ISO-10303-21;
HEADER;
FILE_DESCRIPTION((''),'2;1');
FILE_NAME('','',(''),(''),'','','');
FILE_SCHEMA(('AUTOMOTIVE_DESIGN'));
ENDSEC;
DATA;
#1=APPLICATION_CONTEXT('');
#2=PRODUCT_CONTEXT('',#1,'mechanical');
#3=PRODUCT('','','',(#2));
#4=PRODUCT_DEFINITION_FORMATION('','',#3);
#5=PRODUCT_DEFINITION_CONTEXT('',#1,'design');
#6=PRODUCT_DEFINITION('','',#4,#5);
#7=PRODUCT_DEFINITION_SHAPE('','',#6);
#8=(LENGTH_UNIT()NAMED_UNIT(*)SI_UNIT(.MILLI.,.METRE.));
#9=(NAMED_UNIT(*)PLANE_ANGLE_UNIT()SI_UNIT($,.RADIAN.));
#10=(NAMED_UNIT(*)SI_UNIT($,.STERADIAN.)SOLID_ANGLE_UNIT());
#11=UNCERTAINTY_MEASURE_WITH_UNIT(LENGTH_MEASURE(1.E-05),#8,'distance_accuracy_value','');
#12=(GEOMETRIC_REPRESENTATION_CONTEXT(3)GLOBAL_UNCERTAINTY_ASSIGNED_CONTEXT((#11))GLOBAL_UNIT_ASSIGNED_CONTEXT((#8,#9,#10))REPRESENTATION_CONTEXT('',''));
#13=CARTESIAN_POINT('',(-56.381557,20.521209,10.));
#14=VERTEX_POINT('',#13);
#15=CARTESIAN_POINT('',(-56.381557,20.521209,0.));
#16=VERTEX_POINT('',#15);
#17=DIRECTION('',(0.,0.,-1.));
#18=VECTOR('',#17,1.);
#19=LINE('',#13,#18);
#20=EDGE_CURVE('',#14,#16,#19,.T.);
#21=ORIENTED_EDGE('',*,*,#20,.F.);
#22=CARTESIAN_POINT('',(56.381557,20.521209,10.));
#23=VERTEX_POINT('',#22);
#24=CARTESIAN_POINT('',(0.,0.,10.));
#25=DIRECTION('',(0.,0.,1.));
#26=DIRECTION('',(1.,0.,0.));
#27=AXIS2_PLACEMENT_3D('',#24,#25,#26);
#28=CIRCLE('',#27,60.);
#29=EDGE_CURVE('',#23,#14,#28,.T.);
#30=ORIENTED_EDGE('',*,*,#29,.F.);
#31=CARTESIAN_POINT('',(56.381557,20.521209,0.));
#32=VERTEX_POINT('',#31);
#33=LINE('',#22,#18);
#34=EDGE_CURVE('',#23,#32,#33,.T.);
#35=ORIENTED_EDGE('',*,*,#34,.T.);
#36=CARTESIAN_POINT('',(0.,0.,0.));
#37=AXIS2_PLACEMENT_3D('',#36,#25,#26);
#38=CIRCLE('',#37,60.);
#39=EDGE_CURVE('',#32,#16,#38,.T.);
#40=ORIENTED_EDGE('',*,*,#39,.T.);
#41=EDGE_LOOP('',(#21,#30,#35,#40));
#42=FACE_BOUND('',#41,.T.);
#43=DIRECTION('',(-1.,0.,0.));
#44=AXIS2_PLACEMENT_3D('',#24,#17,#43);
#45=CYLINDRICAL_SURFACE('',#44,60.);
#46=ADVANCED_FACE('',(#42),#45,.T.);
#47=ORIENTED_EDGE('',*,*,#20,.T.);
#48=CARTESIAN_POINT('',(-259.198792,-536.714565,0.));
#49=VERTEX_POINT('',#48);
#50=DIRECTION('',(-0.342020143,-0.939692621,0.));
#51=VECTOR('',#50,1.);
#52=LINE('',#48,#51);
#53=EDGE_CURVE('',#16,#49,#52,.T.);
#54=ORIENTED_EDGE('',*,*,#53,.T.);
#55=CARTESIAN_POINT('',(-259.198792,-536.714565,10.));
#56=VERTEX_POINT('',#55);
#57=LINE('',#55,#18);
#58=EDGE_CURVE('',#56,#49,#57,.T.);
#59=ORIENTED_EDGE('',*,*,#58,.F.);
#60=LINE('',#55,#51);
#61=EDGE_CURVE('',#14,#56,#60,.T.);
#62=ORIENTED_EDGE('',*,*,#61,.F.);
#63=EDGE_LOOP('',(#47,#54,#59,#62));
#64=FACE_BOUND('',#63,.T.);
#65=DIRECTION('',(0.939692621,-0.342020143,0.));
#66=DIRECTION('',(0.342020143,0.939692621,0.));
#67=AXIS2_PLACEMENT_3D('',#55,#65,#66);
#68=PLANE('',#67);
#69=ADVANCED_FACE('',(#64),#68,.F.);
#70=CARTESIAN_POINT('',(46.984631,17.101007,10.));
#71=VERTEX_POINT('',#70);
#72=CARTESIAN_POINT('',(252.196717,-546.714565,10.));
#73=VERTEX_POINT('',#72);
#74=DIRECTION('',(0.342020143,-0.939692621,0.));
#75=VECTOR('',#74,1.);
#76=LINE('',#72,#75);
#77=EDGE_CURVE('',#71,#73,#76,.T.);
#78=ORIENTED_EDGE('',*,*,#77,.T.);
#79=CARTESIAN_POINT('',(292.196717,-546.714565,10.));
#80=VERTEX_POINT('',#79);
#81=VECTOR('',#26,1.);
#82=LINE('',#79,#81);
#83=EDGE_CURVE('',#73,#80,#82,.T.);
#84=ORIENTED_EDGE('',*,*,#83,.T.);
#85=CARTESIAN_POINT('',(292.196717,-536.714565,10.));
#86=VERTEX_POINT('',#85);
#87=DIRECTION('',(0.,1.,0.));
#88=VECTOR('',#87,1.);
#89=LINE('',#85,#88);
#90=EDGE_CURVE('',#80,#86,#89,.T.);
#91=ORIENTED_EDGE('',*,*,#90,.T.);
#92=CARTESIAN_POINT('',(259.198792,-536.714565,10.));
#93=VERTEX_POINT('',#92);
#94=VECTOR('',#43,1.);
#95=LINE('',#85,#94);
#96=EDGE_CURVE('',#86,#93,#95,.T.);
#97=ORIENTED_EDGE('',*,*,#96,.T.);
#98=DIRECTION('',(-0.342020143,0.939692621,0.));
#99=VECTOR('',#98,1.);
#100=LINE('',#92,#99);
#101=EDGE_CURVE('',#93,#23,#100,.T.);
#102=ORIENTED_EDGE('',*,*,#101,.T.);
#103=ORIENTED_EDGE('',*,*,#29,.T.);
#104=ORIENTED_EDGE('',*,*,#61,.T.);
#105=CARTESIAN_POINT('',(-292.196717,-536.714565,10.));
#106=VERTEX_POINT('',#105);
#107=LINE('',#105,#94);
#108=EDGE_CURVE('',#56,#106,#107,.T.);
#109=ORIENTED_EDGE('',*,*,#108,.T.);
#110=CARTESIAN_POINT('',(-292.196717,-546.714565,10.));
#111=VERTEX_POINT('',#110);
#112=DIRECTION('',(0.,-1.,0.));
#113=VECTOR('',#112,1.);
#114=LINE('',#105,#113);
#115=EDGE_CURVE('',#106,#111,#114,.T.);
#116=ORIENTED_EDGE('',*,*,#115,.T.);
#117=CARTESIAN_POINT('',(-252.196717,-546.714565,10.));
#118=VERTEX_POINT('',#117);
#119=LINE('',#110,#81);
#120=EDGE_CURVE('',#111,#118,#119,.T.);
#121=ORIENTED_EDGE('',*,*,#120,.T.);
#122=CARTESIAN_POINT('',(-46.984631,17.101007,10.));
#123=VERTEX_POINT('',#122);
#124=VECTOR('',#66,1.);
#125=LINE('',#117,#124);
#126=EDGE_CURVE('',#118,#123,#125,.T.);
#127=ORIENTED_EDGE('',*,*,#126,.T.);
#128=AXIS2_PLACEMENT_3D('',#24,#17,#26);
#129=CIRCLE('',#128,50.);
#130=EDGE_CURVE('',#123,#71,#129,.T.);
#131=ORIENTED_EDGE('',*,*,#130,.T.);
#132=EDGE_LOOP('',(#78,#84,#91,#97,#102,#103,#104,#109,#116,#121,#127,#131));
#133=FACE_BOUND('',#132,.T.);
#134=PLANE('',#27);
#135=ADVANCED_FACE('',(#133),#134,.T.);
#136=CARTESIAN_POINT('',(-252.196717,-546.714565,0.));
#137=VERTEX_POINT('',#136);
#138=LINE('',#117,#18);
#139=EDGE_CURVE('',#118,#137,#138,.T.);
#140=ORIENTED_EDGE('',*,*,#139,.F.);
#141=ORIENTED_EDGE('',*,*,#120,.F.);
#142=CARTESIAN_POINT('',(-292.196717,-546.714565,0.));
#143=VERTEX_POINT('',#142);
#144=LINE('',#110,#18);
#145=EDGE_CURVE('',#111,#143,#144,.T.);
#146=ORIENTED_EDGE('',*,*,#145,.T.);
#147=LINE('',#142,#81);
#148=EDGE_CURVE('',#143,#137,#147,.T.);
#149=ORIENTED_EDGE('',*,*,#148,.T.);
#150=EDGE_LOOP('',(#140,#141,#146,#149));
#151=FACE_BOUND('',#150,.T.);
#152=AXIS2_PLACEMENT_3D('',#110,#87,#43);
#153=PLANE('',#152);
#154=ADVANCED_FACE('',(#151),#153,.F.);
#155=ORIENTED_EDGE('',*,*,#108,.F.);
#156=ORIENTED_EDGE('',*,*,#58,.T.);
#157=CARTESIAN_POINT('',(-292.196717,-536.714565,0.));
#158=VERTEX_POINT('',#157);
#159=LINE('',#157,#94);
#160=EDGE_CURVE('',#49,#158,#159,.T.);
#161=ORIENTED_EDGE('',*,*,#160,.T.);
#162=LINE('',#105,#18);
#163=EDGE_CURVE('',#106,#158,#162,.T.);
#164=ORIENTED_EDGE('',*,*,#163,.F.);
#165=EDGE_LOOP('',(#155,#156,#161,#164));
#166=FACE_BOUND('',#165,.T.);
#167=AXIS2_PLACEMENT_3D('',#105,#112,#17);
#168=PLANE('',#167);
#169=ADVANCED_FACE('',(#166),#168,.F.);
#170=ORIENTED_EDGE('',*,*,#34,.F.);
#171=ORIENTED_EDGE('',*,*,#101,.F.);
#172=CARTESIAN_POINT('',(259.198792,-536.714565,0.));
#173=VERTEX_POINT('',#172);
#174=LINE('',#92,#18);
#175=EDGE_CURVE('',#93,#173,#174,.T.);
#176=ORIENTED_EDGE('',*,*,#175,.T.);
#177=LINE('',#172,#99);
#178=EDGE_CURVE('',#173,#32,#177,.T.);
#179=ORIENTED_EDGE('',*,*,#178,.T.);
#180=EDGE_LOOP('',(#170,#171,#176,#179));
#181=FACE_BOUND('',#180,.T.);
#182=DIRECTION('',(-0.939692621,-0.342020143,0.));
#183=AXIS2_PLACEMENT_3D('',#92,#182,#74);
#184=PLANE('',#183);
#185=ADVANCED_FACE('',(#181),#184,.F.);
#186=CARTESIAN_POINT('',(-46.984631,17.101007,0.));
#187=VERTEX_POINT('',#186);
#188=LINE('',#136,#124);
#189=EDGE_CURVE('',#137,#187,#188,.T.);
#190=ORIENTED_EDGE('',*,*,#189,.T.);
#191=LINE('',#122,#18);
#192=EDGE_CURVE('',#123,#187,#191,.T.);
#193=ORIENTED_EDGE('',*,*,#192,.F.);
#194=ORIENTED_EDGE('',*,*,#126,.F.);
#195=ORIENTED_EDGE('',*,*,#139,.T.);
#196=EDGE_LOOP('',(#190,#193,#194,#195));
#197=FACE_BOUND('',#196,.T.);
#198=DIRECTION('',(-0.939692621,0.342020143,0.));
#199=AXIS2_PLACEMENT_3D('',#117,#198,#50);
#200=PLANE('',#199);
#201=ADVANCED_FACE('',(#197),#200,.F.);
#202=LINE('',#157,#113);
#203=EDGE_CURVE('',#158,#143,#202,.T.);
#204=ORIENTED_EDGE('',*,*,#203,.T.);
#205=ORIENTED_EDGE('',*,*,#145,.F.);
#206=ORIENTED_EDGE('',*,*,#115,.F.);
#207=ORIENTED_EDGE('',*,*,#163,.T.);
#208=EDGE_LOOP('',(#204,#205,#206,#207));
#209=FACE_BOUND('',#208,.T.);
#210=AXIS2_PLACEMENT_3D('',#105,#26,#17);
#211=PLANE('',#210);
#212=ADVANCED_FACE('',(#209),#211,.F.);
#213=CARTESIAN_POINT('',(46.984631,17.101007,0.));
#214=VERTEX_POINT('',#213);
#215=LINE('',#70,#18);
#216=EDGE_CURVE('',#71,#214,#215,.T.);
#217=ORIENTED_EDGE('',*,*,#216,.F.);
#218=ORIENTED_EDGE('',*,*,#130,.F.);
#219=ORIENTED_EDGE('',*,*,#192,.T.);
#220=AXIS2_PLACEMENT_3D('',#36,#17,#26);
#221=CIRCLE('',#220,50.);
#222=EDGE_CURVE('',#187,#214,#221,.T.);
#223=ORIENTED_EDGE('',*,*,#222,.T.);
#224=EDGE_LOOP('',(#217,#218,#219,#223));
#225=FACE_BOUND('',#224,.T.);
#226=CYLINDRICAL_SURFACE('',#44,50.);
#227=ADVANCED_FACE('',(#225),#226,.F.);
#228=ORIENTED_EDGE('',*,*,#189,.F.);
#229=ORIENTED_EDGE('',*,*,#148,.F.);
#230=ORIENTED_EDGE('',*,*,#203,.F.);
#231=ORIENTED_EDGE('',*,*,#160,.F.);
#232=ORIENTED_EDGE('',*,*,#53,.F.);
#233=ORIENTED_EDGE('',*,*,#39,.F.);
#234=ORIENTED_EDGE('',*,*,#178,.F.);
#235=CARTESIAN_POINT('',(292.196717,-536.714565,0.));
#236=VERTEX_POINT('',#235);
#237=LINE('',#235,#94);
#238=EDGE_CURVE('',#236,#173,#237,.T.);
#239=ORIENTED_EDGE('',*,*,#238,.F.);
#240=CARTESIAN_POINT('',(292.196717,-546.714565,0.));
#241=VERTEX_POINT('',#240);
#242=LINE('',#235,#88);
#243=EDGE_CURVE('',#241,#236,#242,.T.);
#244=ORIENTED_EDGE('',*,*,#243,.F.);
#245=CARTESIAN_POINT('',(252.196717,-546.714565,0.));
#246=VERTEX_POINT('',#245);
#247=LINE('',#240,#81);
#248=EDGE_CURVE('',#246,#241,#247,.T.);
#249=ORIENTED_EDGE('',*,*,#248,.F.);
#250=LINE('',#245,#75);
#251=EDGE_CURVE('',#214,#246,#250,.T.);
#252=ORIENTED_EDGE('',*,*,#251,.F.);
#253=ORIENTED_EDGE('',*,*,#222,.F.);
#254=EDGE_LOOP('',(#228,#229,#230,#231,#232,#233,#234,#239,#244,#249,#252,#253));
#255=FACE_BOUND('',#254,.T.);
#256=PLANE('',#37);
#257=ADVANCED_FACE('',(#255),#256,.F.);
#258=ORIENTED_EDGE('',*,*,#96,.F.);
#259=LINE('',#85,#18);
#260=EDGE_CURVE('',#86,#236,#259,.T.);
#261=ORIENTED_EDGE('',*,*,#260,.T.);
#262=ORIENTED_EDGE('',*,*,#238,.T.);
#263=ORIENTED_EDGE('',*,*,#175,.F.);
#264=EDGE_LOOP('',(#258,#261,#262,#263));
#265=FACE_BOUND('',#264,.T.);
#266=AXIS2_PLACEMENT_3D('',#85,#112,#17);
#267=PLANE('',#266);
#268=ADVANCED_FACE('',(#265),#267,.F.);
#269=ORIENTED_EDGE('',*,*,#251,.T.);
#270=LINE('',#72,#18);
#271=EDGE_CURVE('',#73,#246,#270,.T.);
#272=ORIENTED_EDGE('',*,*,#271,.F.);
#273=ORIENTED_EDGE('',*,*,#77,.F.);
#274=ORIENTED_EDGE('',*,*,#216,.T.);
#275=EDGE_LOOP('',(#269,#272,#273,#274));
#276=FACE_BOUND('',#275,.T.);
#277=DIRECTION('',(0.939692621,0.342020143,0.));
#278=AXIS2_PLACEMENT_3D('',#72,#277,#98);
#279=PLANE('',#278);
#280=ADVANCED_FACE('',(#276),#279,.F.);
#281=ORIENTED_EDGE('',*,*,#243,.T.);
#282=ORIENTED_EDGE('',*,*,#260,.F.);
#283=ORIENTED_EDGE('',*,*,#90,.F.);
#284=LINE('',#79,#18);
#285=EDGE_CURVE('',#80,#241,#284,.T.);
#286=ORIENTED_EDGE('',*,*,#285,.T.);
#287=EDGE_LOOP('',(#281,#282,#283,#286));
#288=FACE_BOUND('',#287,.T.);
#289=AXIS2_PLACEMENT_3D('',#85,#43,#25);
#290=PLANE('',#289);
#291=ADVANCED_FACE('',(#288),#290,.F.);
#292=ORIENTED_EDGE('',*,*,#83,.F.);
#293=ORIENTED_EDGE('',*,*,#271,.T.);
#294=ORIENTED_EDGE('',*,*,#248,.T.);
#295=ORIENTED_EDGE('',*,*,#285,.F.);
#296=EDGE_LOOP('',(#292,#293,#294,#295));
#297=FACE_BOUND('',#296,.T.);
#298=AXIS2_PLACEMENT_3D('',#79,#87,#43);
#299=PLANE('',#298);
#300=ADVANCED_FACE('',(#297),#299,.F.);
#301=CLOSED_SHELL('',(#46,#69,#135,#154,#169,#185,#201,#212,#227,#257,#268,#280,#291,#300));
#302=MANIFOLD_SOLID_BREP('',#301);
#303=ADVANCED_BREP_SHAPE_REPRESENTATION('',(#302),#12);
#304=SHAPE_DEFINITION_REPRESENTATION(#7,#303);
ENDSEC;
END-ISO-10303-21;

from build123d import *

# Parameters (mm, degrees)
EXTRUDE_1_DEPTH = 10


with BuildPart() as part:
    # Эскиз1 → Бобышка-Вытянуть1 (new body)
    with BuildSketch(Plane.XY):
        with BuildLine():
            Line((-292.196717035, -546.714565305), (-252.196717035, -546.714565305))
            Line((-252.196717035, -546.714565305), (-46.984631039, 17.101007166))
            ThreePointArc((-46.984631039, 17.101007166), (0, 50), (46.984631039, 17.101007166))
            Line((46.984631039, 17.101007166), (252.196717035, -546.714565305))
            Line((252.196717035, -546.714565305), (292.196717035, -546.714565305))
            Line((292.196717035, -546.714565305), (292.196717035, -536.714565305))
            Line((292.196717035, -536.714565305), (259.198792417, -536.714565305))
            Line((259.198792417, -536.714565305), (56.381557247, 20.5212086))
            ThreePointArc((56.381557247, 20.5212086), (0, 60), (-56.381557247, 20.5212086))
            Line((-56.381557247, 20.5212086), (-259.198792417, -536.714565305))
            Line((-259.198792417, -536.714565305), (-292.196717035, -536.714565305))
            Line((-292.196717035, -536.714565305), (-292.196717035, -546.714565305))
        make_face()
    extrude(amount=EXTRUDE_1_DEPTH)


solid = part.part
